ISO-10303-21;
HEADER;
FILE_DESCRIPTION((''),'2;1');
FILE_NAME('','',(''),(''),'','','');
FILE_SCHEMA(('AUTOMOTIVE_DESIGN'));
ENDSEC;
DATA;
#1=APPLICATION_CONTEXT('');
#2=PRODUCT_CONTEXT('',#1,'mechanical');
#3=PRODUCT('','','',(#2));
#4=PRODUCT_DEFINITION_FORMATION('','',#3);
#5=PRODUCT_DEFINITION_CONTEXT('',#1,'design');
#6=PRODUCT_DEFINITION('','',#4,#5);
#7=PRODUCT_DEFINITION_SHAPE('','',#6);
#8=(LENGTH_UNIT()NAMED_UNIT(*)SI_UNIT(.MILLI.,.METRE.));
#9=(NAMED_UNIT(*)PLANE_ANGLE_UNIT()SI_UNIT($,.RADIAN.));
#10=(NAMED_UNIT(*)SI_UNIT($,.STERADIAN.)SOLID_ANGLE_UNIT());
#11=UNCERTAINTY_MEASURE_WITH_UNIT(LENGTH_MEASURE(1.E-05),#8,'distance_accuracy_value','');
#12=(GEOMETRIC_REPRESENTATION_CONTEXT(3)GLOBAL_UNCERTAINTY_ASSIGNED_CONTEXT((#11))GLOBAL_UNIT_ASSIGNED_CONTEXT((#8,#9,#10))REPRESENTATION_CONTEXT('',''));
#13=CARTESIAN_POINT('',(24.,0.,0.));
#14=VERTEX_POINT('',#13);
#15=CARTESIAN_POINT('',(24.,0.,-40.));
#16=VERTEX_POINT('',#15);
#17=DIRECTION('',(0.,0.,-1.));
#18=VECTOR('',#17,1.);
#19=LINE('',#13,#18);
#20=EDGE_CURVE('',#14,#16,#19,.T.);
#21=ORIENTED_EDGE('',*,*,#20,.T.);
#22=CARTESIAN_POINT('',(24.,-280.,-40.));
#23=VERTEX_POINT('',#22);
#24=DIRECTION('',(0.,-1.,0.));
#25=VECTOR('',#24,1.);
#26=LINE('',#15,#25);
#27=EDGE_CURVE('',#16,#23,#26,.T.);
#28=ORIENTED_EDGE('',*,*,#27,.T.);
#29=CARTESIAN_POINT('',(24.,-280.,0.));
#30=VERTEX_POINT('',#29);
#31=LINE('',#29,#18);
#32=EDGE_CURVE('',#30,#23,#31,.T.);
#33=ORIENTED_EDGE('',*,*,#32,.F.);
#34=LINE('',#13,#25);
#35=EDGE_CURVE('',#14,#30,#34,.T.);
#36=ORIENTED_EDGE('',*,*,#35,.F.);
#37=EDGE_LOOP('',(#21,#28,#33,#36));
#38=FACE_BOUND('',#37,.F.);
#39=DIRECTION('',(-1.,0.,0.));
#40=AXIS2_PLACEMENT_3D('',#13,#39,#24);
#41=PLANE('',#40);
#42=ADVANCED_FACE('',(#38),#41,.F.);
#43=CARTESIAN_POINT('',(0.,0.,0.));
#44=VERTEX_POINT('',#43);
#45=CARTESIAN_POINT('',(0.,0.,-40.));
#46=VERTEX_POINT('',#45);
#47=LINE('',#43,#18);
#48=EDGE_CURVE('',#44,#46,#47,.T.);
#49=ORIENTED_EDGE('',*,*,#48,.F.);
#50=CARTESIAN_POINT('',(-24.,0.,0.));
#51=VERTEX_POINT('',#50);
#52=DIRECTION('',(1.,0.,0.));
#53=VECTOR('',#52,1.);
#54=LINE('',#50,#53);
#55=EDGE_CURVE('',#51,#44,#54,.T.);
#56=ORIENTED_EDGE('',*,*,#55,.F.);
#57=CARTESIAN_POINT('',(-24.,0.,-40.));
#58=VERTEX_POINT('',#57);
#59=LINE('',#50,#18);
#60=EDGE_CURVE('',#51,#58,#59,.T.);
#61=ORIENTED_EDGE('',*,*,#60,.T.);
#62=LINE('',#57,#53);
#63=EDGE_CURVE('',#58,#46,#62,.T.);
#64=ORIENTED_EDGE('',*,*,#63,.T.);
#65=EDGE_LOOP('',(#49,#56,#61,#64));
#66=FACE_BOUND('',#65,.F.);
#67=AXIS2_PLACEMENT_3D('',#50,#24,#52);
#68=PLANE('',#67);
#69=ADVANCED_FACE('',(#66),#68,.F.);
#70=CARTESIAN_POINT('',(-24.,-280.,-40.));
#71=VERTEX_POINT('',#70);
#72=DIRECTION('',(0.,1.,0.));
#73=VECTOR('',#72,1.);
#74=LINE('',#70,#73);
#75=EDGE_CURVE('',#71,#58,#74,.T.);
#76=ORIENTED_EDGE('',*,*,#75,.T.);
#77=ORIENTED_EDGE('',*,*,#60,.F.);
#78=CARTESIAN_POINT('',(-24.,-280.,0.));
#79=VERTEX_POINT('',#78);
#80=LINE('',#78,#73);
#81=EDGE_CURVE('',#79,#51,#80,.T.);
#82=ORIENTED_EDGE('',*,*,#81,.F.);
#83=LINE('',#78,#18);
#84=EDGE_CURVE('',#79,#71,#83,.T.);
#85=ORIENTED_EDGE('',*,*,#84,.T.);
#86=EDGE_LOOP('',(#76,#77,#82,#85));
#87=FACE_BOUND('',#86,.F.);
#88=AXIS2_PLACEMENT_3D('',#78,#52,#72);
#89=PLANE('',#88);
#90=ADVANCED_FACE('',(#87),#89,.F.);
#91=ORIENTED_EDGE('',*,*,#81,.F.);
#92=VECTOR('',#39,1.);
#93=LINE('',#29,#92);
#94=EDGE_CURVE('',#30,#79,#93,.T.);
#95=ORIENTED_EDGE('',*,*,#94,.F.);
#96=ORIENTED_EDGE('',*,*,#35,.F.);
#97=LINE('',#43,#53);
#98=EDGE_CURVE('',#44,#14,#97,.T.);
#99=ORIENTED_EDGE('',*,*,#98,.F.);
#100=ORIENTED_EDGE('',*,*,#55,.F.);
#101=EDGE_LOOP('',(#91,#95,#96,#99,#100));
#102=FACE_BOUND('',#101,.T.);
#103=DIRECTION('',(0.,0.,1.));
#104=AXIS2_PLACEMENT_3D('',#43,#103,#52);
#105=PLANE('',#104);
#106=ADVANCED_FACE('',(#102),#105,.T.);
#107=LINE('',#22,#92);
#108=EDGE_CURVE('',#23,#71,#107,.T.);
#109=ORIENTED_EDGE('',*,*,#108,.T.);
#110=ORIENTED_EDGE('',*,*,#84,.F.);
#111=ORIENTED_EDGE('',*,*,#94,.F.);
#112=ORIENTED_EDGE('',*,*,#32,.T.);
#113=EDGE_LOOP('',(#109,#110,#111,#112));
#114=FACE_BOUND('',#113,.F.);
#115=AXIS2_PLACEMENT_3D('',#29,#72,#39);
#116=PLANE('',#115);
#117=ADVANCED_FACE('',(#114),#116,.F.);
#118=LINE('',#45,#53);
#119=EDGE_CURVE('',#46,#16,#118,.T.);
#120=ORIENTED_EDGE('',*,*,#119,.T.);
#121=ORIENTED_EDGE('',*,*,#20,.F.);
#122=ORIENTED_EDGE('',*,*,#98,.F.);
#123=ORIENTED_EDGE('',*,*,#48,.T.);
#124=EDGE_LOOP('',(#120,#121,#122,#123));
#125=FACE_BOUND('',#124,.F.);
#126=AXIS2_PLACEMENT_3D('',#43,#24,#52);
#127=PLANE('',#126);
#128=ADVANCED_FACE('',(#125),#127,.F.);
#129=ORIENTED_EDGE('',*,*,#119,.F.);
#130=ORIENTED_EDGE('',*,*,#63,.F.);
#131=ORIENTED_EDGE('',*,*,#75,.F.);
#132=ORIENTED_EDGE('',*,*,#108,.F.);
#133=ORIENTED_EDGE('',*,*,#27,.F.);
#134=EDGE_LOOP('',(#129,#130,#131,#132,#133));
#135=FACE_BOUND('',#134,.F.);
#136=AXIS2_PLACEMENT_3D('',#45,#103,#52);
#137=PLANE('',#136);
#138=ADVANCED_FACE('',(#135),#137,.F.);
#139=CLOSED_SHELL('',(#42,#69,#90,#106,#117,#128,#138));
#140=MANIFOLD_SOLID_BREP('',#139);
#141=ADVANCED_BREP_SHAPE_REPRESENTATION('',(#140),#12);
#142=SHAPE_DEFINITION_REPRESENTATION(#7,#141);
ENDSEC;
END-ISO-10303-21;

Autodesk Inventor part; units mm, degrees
ref_plane "YZ Plane" through (0, 0, 0) normal (1, 0, 0) x (0, 1, 0)
ref_plane "XZ Plane" through (0, 0, 0) normal (0, 1, 0) x (-1, 0, 0)
ref_plane "XY Plane" through (0, 0, 0) normal (0, 0, 1) x (1, 0, 0)
sketch "Boceto1" plane through (0, 0, 0) normal (0, 0, 1) x (1, 0, 0)
  line L0 (0, 0) -> (24, 0)
  line L1 (24, 0) -> (24, -280)
  line L2 (24, -280) -> (-24, -280)
  line L3 (-24, -280) -> (-24, 0)
  line L4 (-24, 0) -> (0, 0)
  dimension "d2" = 24
  dimension "d4" = 280
  dimension "d5" = 48
extrude "Extrusión1" add sketch "Boceto1" against normal blind 40
properties part number "Leg_v1"
